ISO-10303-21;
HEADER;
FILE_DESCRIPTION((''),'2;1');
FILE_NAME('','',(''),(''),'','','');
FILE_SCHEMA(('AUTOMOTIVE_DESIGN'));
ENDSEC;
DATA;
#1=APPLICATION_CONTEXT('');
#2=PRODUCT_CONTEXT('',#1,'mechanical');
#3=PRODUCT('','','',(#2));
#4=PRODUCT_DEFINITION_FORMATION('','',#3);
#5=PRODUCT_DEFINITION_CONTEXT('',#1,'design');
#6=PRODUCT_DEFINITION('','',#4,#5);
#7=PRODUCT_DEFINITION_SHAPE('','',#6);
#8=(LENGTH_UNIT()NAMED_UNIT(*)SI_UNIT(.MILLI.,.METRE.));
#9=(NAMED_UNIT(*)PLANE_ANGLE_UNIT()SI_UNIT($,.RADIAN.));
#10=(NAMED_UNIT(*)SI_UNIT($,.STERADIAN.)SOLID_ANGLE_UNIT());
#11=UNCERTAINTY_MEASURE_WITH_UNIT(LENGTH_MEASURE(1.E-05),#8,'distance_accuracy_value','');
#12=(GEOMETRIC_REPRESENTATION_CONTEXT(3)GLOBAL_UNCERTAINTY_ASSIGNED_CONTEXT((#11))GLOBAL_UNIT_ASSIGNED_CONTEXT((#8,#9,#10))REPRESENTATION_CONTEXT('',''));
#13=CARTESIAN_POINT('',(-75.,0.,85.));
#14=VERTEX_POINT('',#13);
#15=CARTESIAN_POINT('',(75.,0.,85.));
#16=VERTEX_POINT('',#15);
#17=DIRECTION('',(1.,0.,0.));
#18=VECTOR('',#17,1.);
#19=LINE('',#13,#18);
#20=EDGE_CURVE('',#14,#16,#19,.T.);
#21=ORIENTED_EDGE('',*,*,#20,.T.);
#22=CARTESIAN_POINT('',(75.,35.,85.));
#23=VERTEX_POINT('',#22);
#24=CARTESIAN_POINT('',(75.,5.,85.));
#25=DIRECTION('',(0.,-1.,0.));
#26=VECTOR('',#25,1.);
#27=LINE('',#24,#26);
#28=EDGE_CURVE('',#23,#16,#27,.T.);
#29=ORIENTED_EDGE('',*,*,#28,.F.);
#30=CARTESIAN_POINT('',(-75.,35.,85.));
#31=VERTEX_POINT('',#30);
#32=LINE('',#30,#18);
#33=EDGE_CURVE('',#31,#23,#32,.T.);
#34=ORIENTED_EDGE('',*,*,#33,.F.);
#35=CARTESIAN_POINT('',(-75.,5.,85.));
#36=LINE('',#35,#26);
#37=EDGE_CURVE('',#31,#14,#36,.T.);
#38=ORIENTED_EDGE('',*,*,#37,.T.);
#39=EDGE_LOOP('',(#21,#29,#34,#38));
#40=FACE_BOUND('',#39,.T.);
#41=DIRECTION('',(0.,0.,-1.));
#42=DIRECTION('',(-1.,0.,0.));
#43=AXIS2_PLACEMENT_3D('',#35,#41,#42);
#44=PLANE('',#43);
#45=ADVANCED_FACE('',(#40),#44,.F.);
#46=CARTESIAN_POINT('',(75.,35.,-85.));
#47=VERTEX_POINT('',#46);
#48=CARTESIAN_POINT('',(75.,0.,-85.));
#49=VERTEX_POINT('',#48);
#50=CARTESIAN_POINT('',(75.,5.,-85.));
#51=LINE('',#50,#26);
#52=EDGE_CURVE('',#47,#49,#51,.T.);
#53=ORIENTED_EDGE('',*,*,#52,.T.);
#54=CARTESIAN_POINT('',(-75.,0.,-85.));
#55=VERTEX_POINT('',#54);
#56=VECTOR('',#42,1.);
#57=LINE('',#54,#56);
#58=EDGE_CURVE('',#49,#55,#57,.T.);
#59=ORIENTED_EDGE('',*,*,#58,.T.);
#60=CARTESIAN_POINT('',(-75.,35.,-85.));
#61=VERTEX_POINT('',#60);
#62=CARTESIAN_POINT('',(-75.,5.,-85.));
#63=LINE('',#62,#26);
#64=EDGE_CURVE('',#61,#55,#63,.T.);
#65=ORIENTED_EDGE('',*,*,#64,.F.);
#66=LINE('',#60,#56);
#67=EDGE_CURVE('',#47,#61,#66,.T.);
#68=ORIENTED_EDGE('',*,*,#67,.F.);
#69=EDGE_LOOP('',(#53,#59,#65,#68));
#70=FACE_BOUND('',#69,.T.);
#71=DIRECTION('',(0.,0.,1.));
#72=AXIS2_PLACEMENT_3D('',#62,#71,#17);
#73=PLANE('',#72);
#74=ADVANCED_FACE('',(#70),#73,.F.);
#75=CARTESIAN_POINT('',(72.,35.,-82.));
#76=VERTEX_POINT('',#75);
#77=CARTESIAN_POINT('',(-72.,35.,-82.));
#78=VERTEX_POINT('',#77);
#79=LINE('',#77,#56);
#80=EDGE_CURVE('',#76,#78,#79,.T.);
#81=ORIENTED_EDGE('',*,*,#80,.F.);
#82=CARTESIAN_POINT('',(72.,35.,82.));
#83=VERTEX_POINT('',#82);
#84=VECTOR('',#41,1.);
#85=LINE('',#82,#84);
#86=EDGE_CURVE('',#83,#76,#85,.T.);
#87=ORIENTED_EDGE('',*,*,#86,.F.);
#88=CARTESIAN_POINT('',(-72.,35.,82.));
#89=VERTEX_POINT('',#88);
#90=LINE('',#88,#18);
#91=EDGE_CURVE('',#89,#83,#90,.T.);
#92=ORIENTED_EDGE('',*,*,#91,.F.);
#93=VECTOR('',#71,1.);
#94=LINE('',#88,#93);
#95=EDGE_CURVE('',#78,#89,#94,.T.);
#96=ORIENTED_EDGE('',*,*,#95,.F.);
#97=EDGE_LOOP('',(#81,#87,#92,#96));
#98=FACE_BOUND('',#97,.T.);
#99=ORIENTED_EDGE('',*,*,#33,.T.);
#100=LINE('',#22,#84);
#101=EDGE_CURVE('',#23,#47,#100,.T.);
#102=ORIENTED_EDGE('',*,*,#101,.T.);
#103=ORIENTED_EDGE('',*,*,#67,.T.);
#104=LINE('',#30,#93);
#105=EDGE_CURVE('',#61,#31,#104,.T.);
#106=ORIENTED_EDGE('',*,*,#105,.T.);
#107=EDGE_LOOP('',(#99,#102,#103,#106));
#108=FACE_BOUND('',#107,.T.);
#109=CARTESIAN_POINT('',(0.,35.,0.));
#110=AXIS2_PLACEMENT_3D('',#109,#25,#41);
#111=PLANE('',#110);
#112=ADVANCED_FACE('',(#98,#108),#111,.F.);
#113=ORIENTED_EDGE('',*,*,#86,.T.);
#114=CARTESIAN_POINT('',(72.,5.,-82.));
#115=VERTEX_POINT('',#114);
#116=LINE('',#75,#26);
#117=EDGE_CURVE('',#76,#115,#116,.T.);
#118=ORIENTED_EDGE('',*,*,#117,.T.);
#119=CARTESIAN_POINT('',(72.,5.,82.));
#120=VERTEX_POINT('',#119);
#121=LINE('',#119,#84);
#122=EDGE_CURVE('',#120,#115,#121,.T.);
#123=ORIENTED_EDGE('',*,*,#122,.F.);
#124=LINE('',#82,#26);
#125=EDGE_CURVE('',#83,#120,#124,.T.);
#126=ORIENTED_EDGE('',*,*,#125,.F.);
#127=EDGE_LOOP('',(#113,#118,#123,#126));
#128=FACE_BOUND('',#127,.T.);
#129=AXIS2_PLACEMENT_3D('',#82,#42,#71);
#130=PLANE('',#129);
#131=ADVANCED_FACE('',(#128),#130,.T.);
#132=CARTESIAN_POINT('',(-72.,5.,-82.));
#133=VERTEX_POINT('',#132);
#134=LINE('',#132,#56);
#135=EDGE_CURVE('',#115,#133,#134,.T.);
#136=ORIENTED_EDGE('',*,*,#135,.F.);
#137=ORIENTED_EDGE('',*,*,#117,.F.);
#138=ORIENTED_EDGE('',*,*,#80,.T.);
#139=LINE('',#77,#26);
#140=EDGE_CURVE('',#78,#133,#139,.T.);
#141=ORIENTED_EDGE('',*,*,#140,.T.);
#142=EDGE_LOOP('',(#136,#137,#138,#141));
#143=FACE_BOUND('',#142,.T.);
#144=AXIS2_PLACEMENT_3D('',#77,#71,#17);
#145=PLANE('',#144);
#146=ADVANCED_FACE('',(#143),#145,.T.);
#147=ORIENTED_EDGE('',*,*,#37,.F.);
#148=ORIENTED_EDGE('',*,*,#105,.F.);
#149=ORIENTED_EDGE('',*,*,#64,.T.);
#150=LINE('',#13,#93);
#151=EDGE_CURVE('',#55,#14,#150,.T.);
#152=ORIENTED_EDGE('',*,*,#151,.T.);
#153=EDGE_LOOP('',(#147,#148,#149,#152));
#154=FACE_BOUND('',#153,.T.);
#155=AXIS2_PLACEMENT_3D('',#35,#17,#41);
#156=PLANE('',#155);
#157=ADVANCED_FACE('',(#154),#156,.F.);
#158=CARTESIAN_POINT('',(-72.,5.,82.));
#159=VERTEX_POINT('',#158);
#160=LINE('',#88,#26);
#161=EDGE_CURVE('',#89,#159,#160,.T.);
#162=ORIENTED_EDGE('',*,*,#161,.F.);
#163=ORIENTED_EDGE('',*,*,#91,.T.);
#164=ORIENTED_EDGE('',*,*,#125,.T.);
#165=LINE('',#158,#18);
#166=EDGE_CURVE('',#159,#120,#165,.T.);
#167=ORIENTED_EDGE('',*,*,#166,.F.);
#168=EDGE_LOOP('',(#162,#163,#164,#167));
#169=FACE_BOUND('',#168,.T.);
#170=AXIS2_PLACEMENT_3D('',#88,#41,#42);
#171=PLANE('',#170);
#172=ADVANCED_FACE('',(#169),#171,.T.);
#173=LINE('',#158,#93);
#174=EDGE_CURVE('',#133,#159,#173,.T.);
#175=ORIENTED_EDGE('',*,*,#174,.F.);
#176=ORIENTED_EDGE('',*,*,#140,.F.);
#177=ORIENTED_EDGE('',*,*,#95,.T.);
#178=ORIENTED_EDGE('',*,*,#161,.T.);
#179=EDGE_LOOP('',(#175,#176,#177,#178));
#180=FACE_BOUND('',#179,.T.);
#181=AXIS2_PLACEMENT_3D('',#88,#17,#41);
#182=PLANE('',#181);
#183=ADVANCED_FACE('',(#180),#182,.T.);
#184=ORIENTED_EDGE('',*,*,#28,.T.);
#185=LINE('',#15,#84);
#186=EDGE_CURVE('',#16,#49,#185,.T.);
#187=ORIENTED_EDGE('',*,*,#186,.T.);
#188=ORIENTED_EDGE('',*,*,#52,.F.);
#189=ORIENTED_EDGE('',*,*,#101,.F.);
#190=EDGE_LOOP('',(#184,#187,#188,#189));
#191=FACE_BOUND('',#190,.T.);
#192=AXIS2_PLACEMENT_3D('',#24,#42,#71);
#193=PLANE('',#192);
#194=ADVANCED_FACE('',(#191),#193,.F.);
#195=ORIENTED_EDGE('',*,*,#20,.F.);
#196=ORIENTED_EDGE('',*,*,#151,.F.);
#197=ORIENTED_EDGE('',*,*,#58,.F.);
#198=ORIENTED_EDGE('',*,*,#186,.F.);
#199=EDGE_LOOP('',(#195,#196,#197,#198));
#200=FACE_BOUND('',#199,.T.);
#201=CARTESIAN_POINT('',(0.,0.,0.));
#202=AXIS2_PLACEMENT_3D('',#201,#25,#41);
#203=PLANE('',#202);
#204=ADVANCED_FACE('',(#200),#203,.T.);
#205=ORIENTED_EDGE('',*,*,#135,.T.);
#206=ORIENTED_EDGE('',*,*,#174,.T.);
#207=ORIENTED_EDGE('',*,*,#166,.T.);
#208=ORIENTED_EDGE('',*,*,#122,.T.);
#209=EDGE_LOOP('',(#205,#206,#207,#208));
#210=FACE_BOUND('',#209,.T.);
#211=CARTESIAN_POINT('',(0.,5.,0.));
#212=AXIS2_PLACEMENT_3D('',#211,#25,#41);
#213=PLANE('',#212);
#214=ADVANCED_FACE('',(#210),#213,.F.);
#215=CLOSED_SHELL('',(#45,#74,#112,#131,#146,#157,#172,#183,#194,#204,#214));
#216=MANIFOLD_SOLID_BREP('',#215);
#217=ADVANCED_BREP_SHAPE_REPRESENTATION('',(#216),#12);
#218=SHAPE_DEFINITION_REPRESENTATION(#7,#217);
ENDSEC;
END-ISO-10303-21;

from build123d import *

# Parameters (mm, degrees)
SKETCH1_W           = 150
SKETCH1_H           = 170
BOSS_EXTRUDE1_DEPTH = 5
SKETCH3_W           = 150
SKETCH3_H           = 170
SKETCH3_W_2         = 144
SKETCH3_H_2         = 164
BOSS_EXTRUDE3_DEPTH = 30


with BuildPart() as part:
    # Sketch1 → Boss-Extrude1 (new body)
    with BuildSketch(Plane(origin=(0, 0, 0), x_dir=(1, 0, 0), z_dir=(0, 1, 0))):
        Rectangle(SKETCH1_W, SKETCH1_H)
    extrude(amount=BOSS_EXTRUDE1_DEPTH)

    # Sketch3 → Boss-Extrude3 (add)
    with BuildSketch(Plane(origin=(0, 5, 0), x_dir=(1, 0, 0), z_dir=(0, 1, 0))):
        Rectangle(SKETCH3_W, SKETCH3_H)
        Rectangle(SKETCH3_W_2, SKETCH3_H_2, mode=Mode.SUBTRACT)
    extrude(amount=BOSS_EXTRUDE3_DEPTH)


solid = part.part
